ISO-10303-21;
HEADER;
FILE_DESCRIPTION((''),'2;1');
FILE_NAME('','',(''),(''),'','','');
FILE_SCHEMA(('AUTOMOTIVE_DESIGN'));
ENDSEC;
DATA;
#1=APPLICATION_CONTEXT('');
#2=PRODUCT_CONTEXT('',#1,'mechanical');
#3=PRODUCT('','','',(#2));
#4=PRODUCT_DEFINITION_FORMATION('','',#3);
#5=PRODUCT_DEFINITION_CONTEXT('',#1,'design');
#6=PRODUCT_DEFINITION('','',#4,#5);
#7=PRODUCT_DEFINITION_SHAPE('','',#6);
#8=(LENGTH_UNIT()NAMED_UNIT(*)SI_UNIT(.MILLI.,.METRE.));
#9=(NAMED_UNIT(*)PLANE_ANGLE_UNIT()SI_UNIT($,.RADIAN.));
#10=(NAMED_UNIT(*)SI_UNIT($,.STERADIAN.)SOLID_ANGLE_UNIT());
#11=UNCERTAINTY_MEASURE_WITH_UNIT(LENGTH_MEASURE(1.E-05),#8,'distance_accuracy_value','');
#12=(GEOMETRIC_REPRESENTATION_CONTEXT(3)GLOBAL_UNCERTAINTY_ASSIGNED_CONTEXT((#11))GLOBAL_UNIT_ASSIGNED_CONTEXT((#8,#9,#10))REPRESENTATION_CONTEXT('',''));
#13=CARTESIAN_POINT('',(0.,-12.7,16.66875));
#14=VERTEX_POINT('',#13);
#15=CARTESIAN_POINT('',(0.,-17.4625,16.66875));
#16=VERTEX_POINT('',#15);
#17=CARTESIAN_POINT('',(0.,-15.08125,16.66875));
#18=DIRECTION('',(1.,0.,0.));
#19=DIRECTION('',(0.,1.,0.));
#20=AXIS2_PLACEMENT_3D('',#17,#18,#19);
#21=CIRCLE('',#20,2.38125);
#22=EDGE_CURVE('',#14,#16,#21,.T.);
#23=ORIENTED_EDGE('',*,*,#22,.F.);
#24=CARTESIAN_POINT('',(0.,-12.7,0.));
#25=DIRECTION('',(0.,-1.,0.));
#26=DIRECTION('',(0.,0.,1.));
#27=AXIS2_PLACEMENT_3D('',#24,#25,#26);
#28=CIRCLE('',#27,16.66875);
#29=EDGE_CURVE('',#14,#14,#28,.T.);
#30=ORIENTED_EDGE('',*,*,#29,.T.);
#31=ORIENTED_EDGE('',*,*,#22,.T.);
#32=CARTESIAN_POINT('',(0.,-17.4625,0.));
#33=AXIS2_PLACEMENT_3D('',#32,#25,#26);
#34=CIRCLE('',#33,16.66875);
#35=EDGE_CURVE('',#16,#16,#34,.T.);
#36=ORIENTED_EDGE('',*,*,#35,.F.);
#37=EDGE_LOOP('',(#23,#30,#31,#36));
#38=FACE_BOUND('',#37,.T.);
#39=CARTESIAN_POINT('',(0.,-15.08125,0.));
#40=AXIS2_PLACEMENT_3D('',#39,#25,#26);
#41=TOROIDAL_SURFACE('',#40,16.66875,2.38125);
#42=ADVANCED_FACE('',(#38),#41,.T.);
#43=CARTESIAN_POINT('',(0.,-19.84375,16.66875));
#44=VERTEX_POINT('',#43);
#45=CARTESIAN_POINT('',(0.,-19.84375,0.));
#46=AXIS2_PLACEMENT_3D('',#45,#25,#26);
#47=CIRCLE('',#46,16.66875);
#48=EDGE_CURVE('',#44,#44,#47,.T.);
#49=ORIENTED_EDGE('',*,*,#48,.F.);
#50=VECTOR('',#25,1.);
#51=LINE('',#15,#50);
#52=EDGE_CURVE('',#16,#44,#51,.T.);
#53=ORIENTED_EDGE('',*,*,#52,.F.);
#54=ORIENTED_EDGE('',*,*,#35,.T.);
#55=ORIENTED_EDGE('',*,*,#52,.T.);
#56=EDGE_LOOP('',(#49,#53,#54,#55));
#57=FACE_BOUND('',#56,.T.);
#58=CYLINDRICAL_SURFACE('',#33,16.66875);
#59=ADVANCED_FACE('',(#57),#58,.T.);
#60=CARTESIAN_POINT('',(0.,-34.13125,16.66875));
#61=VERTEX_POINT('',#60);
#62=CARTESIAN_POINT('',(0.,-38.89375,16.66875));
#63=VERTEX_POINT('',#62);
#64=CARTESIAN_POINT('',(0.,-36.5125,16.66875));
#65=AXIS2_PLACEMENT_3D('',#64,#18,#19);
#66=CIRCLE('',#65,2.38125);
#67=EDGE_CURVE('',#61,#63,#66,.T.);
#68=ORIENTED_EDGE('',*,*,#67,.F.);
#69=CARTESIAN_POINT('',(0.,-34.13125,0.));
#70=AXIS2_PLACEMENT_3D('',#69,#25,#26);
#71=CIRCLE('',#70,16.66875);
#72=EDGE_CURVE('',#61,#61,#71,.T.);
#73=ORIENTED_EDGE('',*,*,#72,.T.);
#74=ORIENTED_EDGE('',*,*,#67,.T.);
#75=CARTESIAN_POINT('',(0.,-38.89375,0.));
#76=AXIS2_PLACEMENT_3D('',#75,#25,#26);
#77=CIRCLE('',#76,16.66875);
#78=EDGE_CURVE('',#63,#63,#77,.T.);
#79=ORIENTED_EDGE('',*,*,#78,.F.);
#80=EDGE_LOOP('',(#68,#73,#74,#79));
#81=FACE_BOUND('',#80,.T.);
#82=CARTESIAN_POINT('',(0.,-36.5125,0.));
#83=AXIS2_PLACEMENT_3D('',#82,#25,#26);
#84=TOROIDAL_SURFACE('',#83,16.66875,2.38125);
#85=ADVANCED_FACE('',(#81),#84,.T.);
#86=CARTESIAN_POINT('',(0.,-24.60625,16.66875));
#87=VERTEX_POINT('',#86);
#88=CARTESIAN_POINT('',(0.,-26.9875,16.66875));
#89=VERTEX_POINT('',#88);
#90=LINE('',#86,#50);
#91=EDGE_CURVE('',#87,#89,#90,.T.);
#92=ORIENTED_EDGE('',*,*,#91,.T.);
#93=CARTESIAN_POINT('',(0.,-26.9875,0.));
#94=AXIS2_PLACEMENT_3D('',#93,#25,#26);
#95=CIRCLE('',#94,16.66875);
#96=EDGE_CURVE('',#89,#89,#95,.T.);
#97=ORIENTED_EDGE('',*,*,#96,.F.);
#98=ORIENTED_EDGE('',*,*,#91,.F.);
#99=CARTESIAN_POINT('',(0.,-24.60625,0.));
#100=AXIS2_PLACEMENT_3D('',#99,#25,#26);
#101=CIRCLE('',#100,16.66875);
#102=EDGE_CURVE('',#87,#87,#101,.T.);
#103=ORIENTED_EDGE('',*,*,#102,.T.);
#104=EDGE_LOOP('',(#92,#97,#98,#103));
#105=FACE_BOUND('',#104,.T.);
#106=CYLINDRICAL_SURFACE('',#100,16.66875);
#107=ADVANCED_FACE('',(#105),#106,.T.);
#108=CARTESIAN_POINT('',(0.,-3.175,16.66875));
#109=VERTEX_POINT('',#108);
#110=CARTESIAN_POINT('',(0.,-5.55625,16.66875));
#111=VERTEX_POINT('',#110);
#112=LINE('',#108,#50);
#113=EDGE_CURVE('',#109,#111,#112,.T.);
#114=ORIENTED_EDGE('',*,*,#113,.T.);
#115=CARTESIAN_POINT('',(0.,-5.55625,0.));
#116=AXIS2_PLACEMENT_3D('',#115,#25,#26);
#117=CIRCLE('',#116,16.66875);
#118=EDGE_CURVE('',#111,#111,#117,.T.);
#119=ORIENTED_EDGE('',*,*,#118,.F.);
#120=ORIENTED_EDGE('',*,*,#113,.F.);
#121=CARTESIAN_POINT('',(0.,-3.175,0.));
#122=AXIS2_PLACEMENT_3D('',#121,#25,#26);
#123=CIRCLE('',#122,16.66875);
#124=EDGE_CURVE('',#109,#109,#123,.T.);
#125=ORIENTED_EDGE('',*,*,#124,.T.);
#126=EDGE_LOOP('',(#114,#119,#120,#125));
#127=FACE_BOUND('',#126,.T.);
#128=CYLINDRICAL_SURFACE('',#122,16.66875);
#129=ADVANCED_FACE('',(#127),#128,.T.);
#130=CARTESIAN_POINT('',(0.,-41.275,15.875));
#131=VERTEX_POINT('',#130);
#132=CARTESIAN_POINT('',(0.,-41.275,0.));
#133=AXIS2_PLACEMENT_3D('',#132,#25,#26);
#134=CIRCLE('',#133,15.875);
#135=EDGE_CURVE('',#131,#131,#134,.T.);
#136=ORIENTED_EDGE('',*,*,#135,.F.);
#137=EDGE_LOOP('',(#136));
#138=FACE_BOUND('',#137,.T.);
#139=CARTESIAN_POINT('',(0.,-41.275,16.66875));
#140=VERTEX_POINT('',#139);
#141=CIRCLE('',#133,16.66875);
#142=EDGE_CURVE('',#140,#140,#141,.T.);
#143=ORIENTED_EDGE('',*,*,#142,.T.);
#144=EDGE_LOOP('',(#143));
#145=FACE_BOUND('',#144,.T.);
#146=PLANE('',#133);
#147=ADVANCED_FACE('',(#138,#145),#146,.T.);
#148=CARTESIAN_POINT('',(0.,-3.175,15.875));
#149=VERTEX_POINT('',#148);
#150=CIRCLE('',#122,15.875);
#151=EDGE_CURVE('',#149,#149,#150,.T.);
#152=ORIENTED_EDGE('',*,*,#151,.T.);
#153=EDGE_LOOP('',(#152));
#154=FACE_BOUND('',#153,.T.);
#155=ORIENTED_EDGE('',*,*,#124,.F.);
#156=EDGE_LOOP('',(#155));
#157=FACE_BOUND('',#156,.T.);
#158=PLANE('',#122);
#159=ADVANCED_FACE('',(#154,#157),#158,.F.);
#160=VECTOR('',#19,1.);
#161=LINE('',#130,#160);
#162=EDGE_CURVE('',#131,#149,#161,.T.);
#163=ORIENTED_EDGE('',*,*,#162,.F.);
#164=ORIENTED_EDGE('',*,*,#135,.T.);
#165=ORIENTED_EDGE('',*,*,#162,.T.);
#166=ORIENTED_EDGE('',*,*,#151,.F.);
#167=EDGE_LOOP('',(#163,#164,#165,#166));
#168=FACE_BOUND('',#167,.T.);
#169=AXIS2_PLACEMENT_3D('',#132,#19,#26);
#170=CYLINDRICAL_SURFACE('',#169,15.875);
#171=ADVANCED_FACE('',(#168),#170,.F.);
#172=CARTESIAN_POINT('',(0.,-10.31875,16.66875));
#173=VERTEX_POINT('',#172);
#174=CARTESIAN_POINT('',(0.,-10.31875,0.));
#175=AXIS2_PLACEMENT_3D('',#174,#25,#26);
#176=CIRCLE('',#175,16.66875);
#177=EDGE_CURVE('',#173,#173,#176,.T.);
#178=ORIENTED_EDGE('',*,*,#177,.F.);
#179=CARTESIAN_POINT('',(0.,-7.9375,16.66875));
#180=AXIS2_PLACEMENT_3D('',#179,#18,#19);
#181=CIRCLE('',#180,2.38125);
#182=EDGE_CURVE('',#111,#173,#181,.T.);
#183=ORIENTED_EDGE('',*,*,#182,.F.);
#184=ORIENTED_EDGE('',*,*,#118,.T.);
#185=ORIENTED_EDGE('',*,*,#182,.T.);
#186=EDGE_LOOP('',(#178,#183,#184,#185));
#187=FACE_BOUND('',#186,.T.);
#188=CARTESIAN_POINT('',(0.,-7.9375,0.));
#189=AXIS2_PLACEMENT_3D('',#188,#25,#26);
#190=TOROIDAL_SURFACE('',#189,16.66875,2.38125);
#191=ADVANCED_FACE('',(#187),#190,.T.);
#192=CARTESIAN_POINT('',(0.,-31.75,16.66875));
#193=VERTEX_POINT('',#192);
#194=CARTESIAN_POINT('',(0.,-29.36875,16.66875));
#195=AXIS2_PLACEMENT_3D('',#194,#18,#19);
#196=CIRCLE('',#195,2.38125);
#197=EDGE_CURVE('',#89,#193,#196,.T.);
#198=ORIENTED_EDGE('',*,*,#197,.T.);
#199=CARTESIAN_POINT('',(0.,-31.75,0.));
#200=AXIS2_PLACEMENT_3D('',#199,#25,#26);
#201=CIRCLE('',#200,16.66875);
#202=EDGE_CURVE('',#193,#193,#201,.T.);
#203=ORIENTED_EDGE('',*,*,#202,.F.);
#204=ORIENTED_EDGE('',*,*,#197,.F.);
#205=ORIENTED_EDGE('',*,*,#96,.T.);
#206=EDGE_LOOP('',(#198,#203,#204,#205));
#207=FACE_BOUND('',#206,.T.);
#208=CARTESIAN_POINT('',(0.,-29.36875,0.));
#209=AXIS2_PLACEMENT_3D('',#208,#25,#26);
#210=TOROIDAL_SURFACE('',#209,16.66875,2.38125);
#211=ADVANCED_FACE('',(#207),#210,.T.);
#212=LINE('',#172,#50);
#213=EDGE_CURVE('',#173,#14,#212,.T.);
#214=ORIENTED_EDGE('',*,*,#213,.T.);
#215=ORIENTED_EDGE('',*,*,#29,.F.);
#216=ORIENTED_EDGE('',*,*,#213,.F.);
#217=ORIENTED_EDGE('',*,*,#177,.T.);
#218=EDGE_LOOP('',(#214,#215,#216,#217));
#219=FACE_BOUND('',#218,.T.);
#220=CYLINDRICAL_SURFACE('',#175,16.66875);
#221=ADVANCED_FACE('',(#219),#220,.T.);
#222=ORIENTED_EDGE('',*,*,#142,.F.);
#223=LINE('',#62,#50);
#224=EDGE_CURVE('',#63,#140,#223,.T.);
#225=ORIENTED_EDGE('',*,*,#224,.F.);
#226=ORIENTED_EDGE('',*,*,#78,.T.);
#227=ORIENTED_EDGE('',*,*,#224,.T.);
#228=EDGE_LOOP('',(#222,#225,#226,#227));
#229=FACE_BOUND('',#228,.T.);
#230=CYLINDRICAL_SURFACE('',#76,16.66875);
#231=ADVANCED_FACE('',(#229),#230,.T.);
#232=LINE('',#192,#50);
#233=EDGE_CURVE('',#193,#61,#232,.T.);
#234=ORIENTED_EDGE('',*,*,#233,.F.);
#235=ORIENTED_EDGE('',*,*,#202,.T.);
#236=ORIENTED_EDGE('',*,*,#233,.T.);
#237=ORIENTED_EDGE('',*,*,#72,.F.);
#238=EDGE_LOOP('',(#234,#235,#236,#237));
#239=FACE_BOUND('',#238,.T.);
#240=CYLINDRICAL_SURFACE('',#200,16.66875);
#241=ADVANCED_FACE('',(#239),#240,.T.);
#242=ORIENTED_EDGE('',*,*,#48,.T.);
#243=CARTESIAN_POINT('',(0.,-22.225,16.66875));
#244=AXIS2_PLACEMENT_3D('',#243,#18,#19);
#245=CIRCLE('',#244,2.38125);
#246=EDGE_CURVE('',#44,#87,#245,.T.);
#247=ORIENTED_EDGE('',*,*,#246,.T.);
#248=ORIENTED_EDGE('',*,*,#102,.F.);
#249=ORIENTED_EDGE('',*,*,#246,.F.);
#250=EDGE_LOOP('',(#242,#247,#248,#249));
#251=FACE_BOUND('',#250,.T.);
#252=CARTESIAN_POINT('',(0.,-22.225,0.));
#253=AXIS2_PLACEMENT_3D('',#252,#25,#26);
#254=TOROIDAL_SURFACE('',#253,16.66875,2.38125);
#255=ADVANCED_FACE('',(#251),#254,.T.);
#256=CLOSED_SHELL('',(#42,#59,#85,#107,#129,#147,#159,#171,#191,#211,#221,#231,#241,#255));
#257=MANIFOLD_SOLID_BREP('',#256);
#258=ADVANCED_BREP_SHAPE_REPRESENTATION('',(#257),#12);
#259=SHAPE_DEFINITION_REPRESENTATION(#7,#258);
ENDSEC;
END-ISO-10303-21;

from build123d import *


with BuildPart() as f1:
    # F0 (on Right) → F1 (revolve)
    with BuildSketch(Plane.YZ):
        with BuildLine():
            Line((-41.275, 16.66875), (-41.275, 15.875))
            Line((-41.275, 15.875), (-3.175, 15.875))
            Line((-3.175, 15.875), (-3.175, 16.66875))
            Line((-3.175, 16.66875), (-5.55625, 16.66875))
            ThreePointArc((-5.55625, 16.66875), (-7.9375, 19.05), (-10.31875, 16.66875))
            Line((-10.31875, 16.66875), (-12.7, 16.66875))
            ThreePointArc((-12.7, 16.66875), (-15.08125, 19.05), (-17.4625, 16.66875))
            Line((-17.4625, 16.66875), (-19.84375, 16.66875))
            ThreePointArc((-19.84375, 16.66875), (-22.225, 19.05), (-24.60625, 16.66875))
            Line((-24.60625, 16.66875), (-26.9875, 16.66875))
            ThreePointArc((-26.9875, 16.66875), (-29.36875, 19.05), (-31.75, 16.66875))
            Line((-31.75, 16.66875), (-34.13125, 16.66875))
            ThreePointArc((-34.13125, 16.66875), (-36.5125, 19.05), (-38.89375, 16.66875))
            Line((-38.89375, 16.66875), (-41.275, 16.66875))
        make_face()
    revolve(axis=Axis((0, 0, 0), (0, -1, 0)))


solid = f1.part
